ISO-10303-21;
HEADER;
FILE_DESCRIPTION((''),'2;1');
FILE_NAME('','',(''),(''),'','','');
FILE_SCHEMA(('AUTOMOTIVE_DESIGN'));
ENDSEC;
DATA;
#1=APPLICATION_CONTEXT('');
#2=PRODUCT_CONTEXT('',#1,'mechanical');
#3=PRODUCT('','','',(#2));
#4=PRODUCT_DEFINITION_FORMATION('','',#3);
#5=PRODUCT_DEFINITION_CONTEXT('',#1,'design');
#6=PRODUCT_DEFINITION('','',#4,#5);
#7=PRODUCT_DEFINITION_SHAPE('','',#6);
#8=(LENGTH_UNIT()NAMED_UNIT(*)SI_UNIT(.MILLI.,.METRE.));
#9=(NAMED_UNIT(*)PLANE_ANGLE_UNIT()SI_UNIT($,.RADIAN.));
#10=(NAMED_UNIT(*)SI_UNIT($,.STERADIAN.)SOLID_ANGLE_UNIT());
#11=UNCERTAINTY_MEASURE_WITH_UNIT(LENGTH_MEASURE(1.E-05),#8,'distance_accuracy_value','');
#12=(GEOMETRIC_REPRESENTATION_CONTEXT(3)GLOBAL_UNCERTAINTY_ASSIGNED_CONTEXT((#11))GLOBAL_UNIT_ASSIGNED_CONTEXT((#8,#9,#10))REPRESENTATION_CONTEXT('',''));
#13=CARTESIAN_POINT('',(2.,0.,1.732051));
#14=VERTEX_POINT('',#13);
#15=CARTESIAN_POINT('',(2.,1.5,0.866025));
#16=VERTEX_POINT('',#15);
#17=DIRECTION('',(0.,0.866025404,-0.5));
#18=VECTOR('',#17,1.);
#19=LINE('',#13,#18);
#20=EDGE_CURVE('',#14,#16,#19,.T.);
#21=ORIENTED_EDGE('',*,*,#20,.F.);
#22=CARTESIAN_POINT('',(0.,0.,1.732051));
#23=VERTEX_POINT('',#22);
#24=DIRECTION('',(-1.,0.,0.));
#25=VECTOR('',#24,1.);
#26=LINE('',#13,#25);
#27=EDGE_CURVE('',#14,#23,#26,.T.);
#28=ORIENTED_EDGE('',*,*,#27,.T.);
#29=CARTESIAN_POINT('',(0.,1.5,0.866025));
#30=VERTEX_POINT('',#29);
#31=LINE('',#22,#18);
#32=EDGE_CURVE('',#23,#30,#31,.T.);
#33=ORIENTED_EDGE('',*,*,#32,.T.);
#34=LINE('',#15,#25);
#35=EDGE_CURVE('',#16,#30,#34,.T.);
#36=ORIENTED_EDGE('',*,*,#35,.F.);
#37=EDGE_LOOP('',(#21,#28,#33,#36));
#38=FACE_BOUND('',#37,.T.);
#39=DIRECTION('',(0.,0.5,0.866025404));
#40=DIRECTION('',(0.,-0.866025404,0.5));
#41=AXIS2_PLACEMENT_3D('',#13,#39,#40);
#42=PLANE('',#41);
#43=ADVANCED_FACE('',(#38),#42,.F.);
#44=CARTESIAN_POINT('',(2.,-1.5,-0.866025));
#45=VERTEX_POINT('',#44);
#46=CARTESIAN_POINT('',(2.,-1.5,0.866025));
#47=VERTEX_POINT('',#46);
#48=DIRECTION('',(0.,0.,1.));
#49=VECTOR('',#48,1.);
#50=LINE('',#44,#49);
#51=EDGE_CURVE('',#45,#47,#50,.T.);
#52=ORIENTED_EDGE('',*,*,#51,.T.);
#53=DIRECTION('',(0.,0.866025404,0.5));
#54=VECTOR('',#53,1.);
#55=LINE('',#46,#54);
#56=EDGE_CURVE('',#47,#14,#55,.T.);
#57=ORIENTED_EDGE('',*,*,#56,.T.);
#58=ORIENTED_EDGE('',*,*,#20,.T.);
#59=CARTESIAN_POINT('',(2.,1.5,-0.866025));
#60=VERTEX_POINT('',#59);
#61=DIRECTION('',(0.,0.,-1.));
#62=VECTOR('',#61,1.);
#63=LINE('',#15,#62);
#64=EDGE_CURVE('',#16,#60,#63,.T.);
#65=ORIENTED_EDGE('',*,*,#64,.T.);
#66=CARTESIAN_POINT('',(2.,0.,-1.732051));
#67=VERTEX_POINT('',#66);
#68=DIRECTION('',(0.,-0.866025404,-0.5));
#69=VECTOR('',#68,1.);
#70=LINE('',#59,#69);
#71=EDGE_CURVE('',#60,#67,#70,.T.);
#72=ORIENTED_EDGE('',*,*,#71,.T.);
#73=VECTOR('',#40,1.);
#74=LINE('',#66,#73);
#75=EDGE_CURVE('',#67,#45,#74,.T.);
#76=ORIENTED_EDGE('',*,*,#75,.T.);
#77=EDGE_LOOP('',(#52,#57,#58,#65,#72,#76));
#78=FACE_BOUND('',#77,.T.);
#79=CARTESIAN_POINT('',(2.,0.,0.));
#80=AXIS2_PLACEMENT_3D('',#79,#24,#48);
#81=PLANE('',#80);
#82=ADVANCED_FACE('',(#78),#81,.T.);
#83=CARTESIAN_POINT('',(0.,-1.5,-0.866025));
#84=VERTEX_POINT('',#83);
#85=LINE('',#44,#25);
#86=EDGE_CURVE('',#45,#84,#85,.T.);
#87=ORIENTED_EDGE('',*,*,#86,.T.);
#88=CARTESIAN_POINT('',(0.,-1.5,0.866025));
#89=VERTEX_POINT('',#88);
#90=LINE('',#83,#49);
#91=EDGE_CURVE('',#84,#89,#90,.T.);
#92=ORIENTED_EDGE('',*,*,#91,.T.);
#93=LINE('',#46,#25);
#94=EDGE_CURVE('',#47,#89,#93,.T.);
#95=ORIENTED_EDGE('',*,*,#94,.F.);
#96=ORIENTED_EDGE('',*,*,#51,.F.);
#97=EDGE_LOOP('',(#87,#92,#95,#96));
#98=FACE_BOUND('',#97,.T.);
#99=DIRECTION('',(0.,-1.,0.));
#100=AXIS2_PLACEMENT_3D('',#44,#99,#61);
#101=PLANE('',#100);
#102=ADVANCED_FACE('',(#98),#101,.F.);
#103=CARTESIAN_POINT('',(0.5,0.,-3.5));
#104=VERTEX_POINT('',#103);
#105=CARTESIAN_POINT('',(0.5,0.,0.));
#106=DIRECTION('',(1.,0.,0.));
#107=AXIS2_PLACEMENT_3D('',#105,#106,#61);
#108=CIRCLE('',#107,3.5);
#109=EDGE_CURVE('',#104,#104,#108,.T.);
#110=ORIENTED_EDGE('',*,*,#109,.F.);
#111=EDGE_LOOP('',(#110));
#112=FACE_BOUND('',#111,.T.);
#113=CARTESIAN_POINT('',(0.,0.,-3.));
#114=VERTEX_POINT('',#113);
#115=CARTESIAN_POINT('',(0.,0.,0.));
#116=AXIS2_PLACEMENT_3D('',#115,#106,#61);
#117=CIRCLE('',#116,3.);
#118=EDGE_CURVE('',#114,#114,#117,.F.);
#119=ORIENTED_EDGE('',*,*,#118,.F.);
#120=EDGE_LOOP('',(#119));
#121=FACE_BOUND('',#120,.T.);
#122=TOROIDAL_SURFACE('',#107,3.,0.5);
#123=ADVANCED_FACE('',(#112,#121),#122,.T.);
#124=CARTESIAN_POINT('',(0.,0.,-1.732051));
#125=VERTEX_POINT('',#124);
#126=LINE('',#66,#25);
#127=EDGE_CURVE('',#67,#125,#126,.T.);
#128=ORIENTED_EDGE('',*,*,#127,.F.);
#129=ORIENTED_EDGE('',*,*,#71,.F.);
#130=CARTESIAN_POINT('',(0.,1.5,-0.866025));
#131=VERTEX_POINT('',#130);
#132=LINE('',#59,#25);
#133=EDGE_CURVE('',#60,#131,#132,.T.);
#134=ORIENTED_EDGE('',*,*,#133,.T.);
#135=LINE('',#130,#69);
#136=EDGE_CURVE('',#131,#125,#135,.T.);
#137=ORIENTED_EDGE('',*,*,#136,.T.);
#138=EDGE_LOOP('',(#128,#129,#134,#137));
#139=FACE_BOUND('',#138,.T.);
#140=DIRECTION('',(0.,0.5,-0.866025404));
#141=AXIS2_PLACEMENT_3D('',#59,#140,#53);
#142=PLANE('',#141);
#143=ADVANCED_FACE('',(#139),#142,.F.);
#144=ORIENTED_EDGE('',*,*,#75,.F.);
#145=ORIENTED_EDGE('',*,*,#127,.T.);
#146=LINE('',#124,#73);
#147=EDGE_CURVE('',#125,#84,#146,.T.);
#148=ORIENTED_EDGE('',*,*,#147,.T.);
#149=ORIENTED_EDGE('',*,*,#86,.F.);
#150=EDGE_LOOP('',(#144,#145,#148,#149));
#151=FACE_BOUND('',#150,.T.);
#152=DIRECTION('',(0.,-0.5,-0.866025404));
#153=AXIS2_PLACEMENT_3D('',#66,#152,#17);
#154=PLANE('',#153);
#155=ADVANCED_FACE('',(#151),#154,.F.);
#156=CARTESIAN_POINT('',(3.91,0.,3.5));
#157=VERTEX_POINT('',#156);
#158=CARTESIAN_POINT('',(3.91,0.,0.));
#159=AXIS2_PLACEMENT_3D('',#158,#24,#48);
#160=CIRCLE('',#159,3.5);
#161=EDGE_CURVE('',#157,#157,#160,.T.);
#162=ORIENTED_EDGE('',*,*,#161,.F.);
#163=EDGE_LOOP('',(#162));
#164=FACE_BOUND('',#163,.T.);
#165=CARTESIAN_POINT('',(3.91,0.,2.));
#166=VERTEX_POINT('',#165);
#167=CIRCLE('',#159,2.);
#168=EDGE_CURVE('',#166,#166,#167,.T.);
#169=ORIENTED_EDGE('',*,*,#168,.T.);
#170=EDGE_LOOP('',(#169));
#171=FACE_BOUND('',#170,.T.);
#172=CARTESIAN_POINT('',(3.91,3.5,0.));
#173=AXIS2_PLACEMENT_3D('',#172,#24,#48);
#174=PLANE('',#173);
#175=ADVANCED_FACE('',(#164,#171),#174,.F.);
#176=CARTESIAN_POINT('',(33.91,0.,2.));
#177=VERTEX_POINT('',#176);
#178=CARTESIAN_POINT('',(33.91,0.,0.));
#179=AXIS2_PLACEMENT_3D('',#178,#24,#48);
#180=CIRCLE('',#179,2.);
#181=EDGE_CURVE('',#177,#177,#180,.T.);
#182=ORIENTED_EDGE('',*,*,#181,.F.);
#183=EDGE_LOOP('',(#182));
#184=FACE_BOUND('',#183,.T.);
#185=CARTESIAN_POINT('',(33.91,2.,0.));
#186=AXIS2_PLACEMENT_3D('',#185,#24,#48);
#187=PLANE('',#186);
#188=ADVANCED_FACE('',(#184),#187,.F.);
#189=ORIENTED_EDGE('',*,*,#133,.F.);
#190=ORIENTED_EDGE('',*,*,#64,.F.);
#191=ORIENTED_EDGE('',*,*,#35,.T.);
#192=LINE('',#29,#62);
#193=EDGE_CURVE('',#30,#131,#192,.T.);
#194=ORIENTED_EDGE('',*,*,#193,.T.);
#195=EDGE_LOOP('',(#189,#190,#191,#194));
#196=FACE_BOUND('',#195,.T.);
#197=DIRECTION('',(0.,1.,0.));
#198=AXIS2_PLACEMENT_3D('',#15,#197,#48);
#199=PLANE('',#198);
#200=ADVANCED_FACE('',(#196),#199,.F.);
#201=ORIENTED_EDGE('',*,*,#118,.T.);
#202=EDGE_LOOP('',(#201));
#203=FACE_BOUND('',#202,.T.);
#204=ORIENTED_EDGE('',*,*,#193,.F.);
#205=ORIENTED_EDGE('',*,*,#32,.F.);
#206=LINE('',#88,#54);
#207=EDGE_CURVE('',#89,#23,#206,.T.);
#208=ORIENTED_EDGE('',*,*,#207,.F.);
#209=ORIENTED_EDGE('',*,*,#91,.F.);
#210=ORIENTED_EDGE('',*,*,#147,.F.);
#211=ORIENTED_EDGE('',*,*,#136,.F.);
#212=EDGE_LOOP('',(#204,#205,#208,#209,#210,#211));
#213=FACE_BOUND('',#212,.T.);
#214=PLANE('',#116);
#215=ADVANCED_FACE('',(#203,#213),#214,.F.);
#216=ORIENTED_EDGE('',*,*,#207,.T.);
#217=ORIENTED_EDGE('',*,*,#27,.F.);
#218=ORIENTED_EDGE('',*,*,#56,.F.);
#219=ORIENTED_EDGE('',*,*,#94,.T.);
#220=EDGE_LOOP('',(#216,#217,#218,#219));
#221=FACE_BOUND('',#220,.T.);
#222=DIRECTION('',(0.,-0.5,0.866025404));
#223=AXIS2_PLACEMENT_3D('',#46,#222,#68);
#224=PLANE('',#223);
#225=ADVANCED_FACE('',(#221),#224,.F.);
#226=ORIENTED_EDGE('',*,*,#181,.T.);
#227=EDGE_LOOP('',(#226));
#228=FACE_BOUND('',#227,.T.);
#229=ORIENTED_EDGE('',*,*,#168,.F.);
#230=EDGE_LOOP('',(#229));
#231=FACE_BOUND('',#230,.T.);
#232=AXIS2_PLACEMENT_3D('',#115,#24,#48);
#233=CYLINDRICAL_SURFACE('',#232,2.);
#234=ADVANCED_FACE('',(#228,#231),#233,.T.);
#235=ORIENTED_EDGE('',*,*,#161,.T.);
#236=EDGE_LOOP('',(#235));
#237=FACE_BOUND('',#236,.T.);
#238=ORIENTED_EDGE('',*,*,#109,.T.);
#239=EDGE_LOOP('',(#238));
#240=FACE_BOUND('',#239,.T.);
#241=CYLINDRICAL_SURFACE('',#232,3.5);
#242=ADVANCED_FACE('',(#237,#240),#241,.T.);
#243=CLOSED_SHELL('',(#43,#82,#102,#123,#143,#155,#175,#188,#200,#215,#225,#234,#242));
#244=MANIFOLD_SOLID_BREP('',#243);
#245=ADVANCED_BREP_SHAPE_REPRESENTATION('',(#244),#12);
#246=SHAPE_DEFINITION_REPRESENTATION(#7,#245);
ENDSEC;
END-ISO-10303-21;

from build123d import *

# Parameters (mm, degrees)
CUT_EXTRUDE_1_DEPTH = 2
FILLET_1_R          = 0.5


with BuildPart() as part:
    # 草图1 → 旋转1 (revolve)
    with BuildSketch(Plane.XY):
        Polygon((0, 0), (0, 3.5), (3.91, 3.5), (3.91, 2), (33.91, 2), (33.91, 0), align=None)
    revolve(axis=Axis((0, 0, 0), (1, 0, 0)))

    # 草图2 → 切除-拉伸1 (cut)
    with BuildSketch(Plane.ZY):
        Polygon((-1.732050808, 0), (-0.866025404, -1.5), (0.866025404, -1.5), (1.732050808, 0), (0.866025404, 1.5), (-0.866025404, 1.5), align=None)
    extrude(amount=-CUT_EXTRUDE_1_DEPTH, mode=Mode.SUBTRACT)

    # 圆角1
    fillet_1_edges = [part.edges().sort_by_distance(p)[0] for p in [
        (0, -3.5, 0),
    ]]
    fillet(fillet_1_edges, radius=FILLET_1_R)


solid = part.part
